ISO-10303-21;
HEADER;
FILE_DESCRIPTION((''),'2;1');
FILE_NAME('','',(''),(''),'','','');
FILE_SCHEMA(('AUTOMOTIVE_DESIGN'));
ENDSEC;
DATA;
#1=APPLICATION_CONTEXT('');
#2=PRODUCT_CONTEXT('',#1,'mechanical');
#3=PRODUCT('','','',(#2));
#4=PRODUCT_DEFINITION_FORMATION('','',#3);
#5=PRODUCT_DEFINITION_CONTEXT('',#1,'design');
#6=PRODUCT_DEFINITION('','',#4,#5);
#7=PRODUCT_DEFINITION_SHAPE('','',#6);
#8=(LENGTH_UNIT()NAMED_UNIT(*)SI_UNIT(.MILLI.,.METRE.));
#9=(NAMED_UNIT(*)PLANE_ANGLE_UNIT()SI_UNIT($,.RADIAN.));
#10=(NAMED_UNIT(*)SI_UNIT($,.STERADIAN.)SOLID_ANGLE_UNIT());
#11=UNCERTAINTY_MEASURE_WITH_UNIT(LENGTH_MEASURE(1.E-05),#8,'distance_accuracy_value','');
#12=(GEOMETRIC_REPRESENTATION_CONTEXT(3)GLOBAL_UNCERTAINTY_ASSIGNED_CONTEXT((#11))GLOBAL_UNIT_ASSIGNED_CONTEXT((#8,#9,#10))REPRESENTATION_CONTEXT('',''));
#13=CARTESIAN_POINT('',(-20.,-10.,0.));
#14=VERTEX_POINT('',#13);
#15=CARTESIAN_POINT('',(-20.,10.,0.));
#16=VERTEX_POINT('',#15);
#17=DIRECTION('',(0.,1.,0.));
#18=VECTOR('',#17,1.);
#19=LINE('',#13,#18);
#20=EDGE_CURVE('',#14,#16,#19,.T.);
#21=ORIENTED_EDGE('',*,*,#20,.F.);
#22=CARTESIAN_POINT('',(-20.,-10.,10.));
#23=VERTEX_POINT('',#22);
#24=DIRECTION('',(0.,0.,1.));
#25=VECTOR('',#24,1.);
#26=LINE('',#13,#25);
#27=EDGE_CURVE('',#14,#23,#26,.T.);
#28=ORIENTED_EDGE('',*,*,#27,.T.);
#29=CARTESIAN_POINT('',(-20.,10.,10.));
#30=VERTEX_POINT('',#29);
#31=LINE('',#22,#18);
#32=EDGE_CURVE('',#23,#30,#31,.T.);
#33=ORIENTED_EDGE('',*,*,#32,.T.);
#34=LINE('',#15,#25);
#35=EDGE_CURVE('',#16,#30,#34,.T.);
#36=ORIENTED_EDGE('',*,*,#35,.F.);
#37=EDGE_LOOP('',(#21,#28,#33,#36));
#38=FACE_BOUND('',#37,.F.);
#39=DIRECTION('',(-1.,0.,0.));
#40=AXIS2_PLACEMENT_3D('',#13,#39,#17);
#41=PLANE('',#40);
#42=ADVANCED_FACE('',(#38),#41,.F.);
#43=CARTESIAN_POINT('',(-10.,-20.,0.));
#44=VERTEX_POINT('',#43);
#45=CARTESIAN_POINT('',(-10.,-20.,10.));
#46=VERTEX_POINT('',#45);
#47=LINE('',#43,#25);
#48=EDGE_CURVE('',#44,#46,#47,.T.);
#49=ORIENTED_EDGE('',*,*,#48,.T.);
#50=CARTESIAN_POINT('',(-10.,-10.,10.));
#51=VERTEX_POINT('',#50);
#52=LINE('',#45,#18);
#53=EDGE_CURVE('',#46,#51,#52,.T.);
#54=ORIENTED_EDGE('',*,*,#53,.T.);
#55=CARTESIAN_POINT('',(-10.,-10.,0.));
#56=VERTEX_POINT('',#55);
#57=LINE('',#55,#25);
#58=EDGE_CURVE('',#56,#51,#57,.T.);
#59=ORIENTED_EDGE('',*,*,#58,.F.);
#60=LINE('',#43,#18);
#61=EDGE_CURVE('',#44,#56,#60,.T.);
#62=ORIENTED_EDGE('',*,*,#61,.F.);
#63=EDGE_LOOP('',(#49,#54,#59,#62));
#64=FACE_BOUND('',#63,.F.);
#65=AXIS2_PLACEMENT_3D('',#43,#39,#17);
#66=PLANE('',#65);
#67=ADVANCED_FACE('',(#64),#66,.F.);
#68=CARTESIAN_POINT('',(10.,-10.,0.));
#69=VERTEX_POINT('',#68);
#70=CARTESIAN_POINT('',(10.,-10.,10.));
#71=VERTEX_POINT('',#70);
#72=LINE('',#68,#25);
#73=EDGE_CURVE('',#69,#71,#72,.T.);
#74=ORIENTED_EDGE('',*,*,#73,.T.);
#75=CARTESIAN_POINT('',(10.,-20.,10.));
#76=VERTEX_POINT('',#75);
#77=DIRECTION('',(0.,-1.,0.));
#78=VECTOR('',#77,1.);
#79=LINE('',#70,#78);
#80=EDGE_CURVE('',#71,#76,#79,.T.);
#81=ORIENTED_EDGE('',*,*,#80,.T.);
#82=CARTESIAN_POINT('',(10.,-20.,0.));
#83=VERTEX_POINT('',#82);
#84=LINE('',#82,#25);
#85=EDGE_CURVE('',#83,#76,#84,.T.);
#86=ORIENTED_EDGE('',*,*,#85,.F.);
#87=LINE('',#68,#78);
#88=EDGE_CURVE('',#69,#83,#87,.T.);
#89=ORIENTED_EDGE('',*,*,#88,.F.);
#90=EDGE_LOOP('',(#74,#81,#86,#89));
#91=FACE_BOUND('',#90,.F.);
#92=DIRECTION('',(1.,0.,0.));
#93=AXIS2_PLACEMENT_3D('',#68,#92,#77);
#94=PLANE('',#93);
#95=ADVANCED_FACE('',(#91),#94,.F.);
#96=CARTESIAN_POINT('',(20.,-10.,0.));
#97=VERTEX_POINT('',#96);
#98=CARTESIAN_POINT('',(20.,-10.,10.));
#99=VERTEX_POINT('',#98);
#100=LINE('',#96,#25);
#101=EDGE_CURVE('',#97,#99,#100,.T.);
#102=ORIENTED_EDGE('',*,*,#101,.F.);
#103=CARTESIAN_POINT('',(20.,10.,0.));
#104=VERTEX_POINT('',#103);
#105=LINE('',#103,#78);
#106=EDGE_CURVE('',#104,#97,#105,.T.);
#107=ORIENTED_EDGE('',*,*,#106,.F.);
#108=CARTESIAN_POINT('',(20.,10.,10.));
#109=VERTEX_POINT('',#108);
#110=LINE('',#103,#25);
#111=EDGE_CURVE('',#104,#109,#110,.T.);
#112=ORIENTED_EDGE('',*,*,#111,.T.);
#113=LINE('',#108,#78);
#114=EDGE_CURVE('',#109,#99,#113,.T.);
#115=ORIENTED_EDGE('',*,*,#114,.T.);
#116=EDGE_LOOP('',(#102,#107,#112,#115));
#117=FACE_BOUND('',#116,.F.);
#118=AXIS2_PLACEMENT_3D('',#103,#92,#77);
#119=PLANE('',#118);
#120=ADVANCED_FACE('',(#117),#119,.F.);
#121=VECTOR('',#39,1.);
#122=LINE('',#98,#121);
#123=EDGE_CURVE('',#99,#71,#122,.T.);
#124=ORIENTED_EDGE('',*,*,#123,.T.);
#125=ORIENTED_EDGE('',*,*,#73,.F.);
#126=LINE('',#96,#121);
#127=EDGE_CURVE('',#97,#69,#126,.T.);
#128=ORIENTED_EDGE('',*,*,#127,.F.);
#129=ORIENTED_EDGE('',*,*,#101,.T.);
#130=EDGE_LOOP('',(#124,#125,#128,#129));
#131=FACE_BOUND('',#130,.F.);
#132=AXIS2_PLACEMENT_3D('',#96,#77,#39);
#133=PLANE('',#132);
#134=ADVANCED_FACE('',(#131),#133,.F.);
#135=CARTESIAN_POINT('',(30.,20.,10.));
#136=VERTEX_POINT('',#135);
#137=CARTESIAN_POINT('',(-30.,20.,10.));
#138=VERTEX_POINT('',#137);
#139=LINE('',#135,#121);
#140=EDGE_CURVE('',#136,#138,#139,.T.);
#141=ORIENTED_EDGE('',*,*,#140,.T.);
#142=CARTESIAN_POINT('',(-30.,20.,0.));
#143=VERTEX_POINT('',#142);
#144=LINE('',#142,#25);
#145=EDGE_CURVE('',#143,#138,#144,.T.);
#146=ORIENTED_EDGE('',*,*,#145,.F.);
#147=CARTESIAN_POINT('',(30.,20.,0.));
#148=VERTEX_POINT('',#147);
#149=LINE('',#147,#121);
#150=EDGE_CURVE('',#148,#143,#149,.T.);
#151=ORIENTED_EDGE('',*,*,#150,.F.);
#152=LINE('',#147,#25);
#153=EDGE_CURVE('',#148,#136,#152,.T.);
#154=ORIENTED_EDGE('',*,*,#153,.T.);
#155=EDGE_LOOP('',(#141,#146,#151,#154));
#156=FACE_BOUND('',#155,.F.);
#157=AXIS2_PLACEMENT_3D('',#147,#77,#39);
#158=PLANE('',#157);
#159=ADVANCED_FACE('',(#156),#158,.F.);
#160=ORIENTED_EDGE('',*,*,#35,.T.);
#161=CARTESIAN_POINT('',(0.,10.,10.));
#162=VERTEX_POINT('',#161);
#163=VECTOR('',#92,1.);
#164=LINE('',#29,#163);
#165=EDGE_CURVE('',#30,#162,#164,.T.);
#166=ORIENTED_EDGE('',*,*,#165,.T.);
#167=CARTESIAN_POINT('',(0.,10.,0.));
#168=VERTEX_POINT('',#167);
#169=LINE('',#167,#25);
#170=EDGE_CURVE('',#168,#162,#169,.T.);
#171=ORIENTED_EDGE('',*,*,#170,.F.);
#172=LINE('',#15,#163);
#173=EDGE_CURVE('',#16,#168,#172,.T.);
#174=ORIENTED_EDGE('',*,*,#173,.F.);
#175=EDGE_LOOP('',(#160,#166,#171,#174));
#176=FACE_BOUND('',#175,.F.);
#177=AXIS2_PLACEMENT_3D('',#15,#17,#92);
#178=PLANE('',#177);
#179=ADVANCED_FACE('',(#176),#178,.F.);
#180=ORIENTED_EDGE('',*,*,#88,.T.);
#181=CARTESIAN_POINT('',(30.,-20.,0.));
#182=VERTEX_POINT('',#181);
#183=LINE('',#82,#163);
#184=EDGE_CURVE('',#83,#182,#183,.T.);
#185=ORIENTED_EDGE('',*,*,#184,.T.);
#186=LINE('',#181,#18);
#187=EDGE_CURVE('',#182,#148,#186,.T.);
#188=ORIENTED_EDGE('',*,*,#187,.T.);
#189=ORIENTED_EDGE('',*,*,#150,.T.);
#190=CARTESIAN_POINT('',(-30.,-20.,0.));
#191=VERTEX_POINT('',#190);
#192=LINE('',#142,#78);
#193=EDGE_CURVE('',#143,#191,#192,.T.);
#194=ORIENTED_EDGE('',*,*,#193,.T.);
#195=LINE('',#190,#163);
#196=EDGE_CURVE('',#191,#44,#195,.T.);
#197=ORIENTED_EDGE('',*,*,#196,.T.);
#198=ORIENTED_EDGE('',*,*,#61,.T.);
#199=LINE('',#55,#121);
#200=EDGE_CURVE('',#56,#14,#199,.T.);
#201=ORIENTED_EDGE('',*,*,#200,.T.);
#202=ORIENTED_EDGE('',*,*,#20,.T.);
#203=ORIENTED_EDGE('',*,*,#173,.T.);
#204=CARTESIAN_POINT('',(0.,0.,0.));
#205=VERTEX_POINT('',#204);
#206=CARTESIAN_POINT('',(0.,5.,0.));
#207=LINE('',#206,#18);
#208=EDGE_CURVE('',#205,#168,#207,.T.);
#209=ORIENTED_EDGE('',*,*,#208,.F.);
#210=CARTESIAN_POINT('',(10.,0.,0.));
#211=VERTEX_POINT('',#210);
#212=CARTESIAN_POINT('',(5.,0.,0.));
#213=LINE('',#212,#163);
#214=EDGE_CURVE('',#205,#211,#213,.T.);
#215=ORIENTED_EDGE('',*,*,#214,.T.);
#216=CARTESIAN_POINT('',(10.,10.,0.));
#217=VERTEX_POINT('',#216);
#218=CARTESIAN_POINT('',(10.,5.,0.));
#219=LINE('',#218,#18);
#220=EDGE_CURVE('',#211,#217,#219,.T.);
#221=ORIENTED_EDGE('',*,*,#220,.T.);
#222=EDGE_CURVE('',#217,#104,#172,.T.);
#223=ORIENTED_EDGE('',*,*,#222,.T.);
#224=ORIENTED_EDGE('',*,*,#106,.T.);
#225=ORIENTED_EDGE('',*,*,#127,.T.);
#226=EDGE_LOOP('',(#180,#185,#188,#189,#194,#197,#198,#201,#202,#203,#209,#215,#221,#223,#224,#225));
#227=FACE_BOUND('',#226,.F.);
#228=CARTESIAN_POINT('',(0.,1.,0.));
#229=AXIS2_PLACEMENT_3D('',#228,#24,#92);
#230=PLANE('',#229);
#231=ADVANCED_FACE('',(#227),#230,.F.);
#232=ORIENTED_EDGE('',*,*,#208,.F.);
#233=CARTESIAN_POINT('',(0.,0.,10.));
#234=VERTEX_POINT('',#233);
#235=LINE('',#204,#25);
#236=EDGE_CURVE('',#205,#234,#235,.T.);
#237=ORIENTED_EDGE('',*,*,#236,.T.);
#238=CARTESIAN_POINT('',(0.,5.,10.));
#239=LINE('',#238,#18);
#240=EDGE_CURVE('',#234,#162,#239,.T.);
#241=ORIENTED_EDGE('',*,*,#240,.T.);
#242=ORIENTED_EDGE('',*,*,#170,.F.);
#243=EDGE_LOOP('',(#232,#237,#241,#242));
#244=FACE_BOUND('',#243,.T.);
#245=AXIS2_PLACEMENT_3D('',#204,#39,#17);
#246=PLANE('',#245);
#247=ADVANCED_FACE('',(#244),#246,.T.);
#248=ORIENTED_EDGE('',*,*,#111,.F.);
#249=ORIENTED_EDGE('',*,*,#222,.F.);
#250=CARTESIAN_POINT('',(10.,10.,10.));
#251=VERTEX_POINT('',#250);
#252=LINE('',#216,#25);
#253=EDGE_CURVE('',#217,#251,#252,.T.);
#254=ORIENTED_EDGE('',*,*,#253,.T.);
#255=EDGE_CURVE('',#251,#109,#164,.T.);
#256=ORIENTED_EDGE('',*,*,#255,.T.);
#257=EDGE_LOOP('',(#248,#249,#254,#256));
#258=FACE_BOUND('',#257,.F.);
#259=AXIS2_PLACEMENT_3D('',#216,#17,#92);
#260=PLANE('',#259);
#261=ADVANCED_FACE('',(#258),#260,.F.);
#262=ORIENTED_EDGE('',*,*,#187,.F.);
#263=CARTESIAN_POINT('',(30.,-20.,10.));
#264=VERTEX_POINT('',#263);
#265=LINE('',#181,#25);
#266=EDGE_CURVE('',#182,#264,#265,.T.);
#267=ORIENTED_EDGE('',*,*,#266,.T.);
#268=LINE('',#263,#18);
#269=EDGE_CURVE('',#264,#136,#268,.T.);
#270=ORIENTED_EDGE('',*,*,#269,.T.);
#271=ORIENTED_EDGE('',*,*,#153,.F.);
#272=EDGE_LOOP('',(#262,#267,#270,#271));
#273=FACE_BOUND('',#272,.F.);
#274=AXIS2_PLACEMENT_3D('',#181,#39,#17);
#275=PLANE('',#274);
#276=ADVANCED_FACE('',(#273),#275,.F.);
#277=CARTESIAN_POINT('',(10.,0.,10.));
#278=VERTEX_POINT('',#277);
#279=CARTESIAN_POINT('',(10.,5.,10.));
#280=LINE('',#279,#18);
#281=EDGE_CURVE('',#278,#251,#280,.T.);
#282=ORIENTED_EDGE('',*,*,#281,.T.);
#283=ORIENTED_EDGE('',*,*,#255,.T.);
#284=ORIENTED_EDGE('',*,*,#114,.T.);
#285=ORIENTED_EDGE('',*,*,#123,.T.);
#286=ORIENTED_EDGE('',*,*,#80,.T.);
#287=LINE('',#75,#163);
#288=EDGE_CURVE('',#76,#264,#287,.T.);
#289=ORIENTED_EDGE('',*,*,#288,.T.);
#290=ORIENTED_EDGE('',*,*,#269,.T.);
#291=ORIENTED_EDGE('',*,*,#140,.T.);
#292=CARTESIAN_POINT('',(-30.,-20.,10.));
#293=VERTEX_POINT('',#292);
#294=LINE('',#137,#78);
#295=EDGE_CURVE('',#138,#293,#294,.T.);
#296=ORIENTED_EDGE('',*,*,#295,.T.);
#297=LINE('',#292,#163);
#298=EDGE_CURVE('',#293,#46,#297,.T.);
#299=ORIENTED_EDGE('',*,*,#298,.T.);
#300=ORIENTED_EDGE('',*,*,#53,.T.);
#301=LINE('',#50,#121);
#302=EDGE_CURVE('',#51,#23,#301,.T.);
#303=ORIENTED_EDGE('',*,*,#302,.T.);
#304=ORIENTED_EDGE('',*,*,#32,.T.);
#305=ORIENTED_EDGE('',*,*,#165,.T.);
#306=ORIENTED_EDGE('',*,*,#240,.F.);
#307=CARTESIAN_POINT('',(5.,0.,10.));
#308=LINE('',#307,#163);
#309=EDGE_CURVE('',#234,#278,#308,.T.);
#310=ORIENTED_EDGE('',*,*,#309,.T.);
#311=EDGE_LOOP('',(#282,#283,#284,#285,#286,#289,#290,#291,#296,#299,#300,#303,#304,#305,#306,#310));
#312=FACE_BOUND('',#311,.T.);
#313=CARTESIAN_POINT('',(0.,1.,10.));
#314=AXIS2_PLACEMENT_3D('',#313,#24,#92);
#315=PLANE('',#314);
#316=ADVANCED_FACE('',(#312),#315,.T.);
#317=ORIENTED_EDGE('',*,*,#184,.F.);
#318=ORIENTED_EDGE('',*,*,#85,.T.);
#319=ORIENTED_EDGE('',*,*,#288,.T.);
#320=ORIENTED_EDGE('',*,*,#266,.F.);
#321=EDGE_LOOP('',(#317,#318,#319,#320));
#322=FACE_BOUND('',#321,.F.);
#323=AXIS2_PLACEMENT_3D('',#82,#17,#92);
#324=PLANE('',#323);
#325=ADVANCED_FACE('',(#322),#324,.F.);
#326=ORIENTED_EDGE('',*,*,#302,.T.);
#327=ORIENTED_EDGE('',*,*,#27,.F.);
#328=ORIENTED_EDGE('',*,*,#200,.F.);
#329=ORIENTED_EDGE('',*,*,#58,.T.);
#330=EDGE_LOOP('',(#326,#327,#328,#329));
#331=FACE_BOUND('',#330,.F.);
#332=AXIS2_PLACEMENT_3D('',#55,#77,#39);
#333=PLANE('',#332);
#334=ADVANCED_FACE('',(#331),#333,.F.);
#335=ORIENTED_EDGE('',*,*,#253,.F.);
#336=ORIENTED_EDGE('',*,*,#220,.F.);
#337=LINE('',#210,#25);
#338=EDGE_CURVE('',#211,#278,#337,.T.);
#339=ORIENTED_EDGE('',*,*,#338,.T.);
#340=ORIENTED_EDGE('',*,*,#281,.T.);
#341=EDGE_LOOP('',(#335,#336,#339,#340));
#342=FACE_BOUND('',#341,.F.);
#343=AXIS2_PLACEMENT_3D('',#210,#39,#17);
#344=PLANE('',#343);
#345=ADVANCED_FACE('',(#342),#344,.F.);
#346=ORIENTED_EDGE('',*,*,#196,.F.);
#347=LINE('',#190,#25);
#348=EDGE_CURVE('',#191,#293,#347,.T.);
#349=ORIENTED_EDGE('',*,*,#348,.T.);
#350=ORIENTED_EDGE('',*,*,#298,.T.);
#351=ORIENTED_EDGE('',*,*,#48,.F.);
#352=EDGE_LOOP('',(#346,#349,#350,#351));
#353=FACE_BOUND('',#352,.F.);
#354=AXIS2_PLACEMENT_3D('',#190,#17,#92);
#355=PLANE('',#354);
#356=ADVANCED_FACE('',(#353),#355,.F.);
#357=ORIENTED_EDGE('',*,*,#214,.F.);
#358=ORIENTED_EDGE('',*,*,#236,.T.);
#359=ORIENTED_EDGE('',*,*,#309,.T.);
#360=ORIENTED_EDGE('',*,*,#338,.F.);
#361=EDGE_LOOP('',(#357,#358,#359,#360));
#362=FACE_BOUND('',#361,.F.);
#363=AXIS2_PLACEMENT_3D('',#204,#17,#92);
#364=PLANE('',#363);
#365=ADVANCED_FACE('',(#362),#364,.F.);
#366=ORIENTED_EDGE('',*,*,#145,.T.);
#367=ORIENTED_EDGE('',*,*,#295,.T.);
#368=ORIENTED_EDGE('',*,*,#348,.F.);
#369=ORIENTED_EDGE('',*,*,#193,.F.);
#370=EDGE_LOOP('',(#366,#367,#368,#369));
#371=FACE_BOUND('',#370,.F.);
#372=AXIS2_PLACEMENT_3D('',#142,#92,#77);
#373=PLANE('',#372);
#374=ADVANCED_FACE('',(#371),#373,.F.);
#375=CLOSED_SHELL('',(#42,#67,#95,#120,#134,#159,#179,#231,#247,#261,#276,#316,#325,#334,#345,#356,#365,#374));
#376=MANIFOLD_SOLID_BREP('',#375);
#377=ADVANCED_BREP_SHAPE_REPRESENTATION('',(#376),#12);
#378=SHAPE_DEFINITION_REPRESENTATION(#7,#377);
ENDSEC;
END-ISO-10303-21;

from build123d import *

# Parameters (mm, degrees)
F0_W     = 10
F0_H     = 10
F1_DEPTH = 10


with BuildPart() as f1:
    # F0 (on Top) → F1 (new body)
    with BuildSketch(Plane.XY):
        Polygon((30, 20), (-30, 20), (-30, -20), (-10, -20), (-10, -10), (-20, -10), (-20, 10), (0, 10), (10, 10), (20, 10), (20, -10), (10, -10), (10, -20), (30, -20), align=None)
        with Locations((5, 5)):
            Rectangle(F0_W, F0_H)
    extrude(amount=F1_DEPTH)


solid = f1.part
